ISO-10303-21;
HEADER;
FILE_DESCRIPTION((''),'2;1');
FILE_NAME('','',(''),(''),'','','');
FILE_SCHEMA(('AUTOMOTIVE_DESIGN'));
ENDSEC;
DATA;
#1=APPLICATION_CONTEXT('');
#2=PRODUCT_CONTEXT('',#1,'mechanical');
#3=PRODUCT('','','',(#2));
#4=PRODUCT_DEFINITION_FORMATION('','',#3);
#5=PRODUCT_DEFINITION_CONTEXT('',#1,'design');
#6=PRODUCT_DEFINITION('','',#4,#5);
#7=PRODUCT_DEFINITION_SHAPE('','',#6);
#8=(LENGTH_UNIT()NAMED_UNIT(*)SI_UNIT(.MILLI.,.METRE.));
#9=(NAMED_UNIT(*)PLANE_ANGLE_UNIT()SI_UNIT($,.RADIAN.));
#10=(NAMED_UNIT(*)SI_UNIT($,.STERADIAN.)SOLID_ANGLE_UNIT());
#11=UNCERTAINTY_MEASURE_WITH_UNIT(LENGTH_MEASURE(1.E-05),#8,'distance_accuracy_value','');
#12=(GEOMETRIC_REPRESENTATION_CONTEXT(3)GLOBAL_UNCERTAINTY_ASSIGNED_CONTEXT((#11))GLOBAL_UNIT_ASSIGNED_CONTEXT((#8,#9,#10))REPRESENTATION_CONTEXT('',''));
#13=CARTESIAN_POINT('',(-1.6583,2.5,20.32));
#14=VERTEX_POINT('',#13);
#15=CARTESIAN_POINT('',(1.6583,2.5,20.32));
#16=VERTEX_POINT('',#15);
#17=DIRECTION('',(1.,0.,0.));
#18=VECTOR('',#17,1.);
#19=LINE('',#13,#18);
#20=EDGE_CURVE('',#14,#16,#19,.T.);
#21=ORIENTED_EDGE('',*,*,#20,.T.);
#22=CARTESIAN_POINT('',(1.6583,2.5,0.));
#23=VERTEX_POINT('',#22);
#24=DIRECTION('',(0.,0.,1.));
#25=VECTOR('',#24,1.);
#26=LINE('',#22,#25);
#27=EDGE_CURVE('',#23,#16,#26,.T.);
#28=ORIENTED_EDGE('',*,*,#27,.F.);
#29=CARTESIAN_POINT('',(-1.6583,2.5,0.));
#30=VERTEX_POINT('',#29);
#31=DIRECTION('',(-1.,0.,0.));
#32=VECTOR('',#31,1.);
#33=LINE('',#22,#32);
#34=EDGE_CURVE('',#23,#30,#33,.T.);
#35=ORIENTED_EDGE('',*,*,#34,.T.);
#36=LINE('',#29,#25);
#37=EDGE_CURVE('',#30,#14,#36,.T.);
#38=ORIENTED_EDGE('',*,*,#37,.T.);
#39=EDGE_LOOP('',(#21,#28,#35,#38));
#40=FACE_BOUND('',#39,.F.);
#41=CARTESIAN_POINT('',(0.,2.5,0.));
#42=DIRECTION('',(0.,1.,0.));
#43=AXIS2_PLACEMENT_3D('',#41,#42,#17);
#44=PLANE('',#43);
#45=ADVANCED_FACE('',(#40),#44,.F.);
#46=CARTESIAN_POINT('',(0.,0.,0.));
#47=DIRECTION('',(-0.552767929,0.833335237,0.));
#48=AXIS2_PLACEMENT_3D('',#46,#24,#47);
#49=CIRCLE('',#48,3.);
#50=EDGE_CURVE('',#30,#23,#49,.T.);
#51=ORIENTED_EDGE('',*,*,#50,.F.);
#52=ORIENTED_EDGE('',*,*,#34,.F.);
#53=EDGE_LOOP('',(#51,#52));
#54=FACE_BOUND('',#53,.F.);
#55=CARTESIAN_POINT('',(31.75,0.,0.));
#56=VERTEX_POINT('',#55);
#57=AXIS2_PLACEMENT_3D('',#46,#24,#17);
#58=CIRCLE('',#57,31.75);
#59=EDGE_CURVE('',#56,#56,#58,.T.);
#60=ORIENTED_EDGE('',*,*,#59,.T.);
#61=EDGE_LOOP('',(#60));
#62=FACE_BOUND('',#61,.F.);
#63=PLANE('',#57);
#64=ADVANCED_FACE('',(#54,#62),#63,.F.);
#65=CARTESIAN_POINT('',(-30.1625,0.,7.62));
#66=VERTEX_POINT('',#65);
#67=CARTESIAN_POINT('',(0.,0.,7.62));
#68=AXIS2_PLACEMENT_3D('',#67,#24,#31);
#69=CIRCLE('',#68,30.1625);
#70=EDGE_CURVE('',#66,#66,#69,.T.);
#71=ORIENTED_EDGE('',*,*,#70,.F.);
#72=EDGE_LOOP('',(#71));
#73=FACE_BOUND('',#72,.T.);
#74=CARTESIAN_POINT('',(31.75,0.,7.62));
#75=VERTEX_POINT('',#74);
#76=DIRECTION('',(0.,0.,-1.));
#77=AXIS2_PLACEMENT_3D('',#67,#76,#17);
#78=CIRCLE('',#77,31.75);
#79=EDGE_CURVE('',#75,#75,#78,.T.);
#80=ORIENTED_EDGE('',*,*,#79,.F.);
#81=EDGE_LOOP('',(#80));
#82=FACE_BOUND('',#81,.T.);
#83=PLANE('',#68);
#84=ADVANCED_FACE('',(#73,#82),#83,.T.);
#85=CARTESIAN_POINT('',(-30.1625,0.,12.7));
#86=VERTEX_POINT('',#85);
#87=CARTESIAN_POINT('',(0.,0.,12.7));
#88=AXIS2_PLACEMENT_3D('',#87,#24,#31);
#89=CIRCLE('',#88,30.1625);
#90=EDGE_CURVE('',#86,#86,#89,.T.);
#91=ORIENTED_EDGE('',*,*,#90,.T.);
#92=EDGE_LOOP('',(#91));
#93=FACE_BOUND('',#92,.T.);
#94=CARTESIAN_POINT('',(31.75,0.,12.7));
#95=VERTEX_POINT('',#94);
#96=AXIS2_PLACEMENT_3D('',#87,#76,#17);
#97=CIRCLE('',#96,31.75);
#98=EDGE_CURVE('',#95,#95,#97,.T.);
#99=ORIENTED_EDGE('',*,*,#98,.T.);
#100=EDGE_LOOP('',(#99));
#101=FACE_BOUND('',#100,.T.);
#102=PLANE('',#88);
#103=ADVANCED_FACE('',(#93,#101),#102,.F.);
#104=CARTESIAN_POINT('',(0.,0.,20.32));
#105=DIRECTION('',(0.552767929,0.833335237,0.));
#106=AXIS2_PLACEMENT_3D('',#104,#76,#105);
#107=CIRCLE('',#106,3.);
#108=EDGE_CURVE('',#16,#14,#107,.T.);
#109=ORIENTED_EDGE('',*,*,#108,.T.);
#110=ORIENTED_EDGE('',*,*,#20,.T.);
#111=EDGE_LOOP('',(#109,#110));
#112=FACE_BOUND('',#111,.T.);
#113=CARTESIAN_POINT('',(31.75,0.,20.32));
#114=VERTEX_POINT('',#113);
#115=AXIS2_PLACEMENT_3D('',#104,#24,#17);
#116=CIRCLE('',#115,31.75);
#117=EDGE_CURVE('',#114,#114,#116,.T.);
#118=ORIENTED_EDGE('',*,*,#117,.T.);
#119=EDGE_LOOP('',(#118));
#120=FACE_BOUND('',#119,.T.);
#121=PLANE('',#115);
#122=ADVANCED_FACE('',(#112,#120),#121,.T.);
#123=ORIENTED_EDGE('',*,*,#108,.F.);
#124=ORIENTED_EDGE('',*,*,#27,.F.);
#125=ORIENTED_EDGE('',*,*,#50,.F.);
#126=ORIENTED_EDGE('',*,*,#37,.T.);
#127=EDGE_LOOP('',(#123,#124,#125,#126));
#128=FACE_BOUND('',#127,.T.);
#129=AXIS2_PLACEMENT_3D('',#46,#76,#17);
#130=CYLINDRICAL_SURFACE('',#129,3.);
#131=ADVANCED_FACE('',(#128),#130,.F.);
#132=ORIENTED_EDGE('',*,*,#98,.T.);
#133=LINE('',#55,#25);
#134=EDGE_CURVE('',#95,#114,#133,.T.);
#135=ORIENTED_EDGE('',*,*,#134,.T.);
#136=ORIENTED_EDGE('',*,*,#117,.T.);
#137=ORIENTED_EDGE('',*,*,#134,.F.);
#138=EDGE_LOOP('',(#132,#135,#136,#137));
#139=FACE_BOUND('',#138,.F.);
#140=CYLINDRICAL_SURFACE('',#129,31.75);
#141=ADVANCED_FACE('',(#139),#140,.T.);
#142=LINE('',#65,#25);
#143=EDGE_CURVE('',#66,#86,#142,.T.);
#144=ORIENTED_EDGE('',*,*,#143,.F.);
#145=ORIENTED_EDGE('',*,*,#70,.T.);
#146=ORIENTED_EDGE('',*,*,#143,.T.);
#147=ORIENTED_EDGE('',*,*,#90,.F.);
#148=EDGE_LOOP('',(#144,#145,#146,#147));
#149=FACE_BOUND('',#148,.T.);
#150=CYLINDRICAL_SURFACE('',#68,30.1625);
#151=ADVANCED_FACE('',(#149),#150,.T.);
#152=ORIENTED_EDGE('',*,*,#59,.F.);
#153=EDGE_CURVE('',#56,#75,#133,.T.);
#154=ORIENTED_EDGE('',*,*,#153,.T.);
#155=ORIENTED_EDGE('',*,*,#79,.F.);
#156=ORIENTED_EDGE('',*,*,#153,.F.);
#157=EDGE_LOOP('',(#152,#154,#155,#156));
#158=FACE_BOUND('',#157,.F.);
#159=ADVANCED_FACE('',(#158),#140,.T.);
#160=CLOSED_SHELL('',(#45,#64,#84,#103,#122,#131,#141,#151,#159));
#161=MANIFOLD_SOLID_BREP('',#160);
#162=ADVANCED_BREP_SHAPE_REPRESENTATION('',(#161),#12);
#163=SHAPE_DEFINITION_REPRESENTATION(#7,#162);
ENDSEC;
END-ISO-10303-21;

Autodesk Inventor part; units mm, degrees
sketch "Sketch1" plane through (0, 0, 0) normal (0, 0, 1) x (1, 0, 0)
  circle A0 centre (0, 0) radius 31.75
  circle A1 centre (0, 0) radius 3
  line L0 (0, -3) -> (0, 2.5) construction
  line L1 (0, 2.5) -> (1.6583, 2.5)
  line L2 (0, 2.5) -> (-1.6583, 2.5)
  dimension "d0" = 63.5
  dimension "d1" = 6
  dimension "d2" = 5.5
extrude "Extrusion1" add sketch "Sketch1" along normal blind 20.32 contours A0 | L1 L2 A1 picked at (-0.897, 2.6056)
sketch "Sketch2" plane through (0, 0, 0) normal (0, 1, 0) x (-1, 0, 0)
  line L0 (31.75, 7.62) -> (30.1625, 7.62)
  line L1 (30.1625, 7.62) -> (30.1625, 12.7)
  line L2 (30.1625, 12.7) -> (31.75, 12.7)
  line L3 (31.75, 7.62) -> (31.75, 12.7)
  line L4 (31.75, 0) -> (31.75, 7.62)
  line L5 (31.75, 20.32) -> (-31.75, 20.32) projected
  line L6 (31.75, 12.7) -> (31.75, 20.32)
  line L7 (0, -4.064) -> (0, 24.384) projected
  point P0 (0, 0)
  point P1 (31.75, 10.16)
  dimension "d5" = 5.08
  dimension "d6" = 1.5875
  dimension "d7" = 7.62
revolve "Revolution1" cut sketch "Sketch2" angle 360 about axis through (0, 0, -10) along (0, 0, 1)
